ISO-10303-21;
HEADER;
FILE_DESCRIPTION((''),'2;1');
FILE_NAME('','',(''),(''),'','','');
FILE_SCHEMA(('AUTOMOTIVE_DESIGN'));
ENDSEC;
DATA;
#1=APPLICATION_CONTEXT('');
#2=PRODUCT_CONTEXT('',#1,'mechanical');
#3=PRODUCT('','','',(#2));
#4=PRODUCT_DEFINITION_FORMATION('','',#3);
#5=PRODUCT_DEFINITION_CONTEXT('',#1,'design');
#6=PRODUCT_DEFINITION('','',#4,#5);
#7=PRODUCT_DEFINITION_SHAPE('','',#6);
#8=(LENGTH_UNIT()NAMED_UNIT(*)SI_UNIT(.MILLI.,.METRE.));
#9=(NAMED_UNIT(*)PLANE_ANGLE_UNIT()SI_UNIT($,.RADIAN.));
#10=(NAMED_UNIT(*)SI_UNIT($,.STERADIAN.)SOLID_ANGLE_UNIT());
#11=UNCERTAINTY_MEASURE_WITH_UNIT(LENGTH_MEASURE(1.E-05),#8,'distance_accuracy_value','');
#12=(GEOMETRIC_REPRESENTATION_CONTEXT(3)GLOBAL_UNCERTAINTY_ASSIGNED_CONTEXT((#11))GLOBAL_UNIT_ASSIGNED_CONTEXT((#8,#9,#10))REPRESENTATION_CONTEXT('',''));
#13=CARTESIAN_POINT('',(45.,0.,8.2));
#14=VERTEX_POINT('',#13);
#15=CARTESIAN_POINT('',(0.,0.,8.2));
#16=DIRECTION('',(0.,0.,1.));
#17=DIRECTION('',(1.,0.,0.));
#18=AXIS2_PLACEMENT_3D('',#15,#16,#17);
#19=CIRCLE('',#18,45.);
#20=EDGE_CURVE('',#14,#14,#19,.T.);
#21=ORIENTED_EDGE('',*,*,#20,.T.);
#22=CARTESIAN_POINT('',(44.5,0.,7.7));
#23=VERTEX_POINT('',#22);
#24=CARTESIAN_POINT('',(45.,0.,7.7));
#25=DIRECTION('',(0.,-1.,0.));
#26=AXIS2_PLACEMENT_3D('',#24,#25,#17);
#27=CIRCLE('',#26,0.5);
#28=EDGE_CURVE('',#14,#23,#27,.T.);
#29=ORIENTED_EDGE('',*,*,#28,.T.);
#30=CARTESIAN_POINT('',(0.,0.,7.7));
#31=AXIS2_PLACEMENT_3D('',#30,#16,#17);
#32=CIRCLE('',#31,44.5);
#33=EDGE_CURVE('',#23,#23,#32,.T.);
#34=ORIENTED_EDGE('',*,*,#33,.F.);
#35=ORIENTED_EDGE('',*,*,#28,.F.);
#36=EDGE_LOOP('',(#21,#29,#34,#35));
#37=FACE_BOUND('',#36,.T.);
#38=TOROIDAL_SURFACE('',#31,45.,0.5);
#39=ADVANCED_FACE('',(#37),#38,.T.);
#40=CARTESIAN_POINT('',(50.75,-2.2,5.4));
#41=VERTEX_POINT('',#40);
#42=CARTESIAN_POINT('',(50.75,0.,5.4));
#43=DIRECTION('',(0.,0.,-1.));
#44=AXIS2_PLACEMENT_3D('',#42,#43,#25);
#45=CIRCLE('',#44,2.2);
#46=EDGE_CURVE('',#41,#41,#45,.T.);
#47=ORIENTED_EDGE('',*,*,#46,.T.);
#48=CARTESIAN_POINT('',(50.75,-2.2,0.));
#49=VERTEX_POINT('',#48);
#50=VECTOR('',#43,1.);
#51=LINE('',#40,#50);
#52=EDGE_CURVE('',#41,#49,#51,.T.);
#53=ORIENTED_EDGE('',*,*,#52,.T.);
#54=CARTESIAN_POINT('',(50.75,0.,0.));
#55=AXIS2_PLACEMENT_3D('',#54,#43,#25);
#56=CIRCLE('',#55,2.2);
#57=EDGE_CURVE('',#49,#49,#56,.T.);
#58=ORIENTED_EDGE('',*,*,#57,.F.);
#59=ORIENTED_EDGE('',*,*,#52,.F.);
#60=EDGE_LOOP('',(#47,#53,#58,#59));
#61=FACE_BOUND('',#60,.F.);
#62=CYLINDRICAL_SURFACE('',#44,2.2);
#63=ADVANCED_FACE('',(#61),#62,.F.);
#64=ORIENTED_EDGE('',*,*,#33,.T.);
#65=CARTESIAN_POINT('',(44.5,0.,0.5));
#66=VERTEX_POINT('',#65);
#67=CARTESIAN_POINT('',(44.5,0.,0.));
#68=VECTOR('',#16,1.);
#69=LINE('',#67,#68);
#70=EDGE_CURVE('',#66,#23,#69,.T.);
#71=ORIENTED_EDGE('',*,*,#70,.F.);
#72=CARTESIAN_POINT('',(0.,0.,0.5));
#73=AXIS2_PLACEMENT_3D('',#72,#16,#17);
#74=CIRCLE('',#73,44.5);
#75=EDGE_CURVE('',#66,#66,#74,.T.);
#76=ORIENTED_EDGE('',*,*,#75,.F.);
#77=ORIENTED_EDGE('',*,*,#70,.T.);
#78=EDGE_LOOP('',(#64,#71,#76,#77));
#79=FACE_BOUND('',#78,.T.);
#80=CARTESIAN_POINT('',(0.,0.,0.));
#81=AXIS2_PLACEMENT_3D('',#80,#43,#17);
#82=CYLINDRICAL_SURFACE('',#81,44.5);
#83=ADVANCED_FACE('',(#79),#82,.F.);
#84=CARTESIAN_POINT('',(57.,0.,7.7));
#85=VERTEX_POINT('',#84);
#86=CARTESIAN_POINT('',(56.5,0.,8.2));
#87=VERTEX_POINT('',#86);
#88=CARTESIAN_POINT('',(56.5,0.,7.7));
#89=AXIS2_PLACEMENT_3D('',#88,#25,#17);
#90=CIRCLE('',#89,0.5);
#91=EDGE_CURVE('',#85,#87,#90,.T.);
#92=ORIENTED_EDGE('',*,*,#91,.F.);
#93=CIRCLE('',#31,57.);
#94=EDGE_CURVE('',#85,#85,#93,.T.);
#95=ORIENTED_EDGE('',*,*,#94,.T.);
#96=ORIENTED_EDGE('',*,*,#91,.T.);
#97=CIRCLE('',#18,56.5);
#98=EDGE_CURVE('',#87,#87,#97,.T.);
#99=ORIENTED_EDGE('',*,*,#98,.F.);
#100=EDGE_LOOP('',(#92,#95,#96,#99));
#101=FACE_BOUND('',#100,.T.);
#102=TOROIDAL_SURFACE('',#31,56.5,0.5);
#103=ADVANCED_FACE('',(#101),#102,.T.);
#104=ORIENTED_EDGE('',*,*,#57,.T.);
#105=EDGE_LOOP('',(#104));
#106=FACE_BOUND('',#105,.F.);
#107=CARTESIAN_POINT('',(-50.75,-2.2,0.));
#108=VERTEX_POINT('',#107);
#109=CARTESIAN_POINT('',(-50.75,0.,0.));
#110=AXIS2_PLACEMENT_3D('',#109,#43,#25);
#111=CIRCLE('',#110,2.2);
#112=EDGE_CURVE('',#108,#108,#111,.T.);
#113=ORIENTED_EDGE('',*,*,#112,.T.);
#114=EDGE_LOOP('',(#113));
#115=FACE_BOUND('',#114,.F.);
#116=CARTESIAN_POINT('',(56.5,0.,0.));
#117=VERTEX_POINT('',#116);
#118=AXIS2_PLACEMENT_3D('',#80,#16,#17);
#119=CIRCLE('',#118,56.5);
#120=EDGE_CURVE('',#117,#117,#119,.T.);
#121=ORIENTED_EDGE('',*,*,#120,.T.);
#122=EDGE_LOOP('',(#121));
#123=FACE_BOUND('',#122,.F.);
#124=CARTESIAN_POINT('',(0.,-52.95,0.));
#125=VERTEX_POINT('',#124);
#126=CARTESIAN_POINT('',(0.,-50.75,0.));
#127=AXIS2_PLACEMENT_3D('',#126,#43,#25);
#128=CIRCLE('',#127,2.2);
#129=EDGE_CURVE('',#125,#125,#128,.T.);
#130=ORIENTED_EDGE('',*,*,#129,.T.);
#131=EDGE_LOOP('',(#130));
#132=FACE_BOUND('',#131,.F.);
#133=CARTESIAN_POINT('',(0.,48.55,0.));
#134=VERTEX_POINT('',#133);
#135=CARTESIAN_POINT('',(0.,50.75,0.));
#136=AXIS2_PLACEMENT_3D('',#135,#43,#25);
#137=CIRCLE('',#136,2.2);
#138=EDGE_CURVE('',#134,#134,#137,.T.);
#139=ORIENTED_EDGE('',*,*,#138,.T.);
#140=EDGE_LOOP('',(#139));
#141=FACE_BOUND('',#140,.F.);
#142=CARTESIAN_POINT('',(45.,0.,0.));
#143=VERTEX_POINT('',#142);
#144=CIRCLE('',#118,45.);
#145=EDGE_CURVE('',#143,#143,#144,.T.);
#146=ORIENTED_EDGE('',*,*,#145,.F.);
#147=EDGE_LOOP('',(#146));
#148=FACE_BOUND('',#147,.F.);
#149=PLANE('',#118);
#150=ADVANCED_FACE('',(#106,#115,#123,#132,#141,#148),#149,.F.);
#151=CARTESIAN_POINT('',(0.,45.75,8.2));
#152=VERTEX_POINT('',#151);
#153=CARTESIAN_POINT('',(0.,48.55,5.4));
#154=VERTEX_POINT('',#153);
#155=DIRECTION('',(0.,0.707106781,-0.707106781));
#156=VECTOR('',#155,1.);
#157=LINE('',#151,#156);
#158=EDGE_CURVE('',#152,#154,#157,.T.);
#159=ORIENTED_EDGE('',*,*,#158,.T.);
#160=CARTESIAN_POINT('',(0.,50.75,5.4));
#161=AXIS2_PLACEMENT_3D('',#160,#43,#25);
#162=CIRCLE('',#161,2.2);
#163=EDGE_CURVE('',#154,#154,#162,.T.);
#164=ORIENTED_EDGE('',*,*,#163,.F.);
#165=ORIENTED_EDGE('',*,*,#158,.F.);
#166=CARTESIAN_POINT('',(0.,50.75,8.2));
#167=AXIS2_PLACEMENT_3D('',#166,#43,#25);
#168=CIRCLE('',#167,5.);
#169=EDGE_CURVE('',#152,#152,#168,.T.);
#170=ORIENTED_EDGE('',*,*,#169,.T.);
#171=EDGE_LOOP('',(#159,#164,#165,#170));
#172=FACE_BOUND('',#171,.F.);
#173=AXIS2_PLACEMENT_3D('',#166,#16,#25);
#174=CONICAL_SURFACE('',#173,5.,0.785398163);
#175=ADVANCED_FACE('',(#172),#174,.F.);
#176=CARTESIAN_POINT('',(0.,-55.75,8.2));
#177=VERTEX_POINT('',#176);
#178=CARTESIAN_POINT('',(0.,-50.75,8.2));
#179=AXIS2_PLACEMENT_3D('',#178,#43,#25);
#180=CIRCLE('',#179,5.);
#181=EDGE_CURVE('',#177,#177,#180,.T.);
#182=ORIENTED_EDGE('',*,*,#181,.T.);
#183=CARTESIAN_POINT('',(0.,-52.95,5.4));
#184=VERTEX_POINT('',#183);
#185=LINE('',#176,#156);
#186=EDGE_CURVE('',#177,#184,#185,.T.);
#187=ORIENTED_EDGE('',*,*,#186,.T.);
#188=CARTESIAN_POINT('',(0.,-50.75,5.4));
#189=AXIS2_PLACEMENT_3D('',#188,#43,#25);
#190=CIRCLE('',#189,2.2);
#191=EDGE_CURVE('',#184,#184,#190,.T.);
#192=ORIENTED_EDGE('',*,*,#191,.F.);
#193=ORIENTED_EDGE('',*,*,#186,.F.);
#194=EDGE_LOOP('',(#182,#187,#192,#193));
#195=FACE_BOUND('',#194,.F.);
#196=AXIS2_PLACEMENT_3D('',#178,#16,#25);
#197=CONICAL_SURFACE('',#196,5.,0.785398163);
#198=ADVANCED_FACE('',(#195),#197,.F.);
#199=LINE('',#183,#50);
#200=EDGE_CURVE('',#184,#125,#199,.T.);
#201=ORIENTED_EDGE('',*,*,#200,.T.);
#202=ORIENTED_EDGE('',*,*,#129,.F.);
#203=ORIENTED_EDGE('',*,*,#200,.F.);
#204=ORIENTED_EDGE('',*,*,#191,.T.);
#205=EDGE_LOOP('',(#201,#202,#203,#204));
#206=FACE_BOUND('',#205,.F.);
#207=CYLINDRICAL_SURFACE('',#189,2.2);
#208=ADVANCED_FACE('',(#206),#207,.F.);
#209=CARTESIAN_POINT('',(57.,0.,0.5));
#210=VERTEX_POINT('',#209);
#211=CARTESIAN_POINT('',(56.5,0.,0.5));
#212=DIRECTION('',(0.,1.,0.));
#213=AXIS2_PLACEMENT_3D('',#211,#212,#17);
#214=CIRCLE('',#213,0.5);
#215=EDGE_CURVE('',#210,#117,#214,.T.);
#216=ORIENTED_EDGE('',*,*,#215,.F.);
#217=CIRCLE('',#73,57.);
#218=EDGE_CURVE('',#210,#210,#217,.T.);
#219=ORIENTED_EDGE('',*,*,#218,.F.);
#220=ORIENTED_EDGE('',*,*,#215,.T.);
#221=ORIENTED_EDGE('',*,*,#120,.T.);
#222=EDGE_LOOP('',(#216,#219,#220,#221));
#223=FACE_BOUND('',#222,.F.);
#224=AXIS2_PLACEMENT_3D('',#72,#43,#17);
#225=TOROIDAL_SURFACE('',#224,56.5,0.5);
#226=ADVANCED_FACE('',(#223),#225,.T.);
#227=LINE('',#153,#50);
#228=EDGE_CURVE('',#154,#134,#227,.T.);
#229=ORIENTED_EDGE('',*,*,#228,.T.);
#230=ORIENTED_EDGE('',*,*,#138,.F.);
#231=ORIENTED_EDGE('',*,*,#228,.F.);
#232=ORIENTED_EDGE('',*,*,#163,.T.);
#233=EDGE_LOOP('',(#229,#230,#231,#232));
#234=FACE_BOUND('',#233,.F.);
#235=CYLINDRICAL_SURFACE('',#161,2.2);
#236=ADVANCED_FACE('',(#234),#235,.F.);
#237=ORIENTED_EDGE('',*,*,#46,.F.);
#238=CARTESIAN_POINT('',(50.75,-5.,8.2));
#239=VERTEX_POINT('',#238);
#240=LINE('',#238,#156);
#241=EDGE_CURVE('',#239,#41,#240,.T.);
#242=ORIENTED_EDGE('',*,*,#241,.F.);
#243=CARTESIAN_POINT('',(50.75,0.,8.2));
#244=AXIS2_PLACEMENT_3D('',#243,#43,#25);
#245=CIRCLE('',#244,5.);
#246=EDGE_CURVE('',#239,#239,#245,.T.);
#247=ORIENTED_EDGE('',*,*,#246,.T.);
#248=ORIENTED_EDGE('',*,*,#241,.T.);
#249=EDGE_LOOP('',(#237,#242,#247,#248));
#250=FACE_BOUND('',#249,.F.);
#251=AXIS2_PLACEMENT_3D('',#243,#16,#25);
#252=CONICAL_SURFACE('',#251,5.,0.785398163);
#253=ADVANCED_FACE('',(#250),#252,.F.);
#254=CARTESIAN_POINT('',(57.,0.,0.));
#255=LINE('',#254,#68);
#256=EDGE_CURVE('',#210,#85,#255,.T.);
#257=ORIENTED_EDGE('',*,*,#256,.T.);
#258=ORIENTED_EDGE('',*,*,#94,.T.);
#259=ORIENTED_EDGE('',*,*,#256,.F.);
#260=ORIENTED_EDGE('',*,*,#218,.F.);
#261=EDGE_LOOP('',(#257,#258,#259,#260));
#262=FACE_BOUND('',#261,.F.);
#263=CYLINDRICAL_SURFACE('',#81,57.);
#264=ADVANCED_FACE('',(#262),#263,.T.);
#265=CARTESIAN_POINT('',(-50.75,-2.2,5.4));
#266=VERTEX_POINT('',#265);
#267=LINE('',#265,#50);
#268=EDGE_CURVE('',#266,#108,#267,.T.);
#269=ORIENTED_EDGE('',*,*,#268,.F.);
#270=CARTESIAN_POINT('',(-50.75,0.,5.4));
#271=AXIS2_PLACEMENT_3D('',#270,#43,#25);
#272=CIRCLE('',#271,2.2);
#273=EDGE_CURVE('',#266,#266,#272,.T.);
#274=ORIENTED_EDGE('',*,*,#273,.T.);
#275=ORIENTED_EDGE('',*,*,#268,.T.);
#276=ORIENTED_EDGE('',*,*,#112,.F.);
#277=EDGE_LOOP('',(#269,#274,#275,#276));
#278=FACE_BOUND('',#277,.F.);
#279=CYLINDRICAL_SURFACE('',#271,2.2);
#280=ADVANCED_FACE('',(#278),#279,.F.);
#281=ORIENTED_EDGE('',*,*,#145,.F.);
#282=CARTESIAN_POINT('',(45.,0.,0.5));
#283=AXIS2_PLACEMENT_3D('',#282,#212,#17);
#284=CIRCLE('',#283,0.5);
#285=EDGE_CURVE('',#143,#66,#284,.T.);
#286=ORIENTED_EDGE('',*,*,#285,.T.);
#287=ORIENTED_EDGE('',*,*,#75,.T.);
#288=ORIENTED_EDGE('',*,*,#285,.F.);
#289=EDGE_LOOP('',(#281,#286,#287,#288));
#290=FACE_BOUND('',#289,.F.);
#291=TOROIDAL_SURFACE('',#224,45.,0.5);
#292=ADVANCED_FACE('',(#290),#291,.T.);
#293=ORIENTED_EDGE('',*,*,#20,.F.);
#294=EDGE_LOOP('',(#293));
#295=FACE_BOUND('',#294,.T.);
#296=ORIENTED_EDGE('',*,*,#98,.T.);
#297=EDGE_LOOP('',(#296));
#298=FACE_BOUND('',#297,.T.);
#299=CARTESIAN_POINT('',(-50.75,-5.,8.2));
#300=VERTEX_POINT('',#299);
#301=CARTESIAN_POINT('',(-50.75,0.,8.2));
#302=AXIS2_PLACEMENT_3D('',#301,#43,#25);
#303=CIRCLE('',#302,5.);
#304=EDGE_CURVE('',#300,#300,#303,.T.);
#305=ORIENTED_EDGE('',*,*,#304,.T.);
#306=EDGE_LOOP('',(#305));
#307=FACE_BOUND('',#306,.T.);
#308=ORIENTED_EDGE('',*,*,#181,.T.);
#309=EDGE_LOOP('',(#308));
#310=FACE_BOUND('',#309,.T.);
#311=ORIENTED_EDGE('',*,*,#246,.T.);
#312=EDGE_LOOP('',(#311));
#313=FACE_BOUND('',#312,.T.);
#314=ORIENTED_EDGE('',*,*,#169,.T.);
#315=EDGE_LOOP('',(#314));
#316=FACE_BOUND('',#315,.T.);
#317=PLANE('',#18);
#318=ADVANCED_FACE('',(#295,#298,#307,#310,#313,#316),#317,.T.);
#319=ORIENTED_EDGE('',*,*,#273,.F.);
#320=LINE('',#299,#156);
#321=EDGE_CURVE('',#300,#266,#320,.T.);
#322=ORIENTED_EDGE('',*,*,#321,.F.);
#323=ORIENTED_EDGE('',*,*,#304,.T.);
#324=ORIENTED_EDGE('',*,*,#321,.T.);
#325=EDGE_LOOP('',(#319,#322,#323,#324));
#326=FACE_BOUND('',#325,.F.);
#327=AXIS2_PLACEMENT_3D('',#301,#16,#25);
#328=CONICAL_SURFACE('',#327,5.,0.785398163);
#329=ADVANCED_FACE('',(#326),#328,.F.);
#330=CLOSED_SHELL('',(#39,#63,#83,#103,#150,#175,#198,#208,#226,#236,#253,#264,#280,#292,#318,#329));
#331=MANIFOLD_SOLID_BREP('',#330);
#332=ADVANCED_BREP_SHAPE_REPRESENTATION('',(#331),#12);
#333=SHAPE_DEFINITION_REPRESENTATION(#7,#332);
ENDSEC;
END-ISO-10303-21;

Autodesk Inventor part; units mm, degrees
ref_plane "YZ Plane" through (0, 0, 0) normal (1, 0, 0) x (0, 1, 0)
ref_plane "XZ Plane" through (0, 0, 0) normal (0, 1, 0) x (-1, 0, 0)
ref_plane "XY Plane" through (0, 0, 0) normal (0, 0, 1) x (1, 0, 0)
sketch "スケッチ1" plane through (0, 0, 0) normal (0, 0, 1) x (1, 0, 0)
  circle A0 centre (0, 0) radius 57
  circle A1 centre (0, 0) radius 44.5
  dimension "d0" = 114
  dimension "d1" = 89
extrude "押し出し1" add sketch "スケッチ1" along normal blind 8.2
sketch "スケッチ2" plane through (0, 0, 8.2) normal (0, 0, 1) x (1, 0, 0)
  point P0 (0, 0)
  point P1 (0, -50.75)
  point P2 (50.75, 0)
  point P3 (0, 50.75)
  point P4 (-50.75, 0)
  dimension "d4" = 50.75
  dimension "d7" = 360
hole "穴1" at (0, -50.75, 8.2) at (50.75, 0, 8.2) at (0, 50.75, 8.2) at (-50.75, 0, 8.2) direction (0, 0, -1) diameter 4.4 end through all countersink diameter 10 countersink angle 90
fillet "フィレット1" radius 0.5 4 edges at (-57, 0, 8.2) (-44.5, 0, 8.2) (-57, 0, 0) (-44.5, 0, 0)
properties part number "TurnTable140_Inner" material "鋼、合金"
